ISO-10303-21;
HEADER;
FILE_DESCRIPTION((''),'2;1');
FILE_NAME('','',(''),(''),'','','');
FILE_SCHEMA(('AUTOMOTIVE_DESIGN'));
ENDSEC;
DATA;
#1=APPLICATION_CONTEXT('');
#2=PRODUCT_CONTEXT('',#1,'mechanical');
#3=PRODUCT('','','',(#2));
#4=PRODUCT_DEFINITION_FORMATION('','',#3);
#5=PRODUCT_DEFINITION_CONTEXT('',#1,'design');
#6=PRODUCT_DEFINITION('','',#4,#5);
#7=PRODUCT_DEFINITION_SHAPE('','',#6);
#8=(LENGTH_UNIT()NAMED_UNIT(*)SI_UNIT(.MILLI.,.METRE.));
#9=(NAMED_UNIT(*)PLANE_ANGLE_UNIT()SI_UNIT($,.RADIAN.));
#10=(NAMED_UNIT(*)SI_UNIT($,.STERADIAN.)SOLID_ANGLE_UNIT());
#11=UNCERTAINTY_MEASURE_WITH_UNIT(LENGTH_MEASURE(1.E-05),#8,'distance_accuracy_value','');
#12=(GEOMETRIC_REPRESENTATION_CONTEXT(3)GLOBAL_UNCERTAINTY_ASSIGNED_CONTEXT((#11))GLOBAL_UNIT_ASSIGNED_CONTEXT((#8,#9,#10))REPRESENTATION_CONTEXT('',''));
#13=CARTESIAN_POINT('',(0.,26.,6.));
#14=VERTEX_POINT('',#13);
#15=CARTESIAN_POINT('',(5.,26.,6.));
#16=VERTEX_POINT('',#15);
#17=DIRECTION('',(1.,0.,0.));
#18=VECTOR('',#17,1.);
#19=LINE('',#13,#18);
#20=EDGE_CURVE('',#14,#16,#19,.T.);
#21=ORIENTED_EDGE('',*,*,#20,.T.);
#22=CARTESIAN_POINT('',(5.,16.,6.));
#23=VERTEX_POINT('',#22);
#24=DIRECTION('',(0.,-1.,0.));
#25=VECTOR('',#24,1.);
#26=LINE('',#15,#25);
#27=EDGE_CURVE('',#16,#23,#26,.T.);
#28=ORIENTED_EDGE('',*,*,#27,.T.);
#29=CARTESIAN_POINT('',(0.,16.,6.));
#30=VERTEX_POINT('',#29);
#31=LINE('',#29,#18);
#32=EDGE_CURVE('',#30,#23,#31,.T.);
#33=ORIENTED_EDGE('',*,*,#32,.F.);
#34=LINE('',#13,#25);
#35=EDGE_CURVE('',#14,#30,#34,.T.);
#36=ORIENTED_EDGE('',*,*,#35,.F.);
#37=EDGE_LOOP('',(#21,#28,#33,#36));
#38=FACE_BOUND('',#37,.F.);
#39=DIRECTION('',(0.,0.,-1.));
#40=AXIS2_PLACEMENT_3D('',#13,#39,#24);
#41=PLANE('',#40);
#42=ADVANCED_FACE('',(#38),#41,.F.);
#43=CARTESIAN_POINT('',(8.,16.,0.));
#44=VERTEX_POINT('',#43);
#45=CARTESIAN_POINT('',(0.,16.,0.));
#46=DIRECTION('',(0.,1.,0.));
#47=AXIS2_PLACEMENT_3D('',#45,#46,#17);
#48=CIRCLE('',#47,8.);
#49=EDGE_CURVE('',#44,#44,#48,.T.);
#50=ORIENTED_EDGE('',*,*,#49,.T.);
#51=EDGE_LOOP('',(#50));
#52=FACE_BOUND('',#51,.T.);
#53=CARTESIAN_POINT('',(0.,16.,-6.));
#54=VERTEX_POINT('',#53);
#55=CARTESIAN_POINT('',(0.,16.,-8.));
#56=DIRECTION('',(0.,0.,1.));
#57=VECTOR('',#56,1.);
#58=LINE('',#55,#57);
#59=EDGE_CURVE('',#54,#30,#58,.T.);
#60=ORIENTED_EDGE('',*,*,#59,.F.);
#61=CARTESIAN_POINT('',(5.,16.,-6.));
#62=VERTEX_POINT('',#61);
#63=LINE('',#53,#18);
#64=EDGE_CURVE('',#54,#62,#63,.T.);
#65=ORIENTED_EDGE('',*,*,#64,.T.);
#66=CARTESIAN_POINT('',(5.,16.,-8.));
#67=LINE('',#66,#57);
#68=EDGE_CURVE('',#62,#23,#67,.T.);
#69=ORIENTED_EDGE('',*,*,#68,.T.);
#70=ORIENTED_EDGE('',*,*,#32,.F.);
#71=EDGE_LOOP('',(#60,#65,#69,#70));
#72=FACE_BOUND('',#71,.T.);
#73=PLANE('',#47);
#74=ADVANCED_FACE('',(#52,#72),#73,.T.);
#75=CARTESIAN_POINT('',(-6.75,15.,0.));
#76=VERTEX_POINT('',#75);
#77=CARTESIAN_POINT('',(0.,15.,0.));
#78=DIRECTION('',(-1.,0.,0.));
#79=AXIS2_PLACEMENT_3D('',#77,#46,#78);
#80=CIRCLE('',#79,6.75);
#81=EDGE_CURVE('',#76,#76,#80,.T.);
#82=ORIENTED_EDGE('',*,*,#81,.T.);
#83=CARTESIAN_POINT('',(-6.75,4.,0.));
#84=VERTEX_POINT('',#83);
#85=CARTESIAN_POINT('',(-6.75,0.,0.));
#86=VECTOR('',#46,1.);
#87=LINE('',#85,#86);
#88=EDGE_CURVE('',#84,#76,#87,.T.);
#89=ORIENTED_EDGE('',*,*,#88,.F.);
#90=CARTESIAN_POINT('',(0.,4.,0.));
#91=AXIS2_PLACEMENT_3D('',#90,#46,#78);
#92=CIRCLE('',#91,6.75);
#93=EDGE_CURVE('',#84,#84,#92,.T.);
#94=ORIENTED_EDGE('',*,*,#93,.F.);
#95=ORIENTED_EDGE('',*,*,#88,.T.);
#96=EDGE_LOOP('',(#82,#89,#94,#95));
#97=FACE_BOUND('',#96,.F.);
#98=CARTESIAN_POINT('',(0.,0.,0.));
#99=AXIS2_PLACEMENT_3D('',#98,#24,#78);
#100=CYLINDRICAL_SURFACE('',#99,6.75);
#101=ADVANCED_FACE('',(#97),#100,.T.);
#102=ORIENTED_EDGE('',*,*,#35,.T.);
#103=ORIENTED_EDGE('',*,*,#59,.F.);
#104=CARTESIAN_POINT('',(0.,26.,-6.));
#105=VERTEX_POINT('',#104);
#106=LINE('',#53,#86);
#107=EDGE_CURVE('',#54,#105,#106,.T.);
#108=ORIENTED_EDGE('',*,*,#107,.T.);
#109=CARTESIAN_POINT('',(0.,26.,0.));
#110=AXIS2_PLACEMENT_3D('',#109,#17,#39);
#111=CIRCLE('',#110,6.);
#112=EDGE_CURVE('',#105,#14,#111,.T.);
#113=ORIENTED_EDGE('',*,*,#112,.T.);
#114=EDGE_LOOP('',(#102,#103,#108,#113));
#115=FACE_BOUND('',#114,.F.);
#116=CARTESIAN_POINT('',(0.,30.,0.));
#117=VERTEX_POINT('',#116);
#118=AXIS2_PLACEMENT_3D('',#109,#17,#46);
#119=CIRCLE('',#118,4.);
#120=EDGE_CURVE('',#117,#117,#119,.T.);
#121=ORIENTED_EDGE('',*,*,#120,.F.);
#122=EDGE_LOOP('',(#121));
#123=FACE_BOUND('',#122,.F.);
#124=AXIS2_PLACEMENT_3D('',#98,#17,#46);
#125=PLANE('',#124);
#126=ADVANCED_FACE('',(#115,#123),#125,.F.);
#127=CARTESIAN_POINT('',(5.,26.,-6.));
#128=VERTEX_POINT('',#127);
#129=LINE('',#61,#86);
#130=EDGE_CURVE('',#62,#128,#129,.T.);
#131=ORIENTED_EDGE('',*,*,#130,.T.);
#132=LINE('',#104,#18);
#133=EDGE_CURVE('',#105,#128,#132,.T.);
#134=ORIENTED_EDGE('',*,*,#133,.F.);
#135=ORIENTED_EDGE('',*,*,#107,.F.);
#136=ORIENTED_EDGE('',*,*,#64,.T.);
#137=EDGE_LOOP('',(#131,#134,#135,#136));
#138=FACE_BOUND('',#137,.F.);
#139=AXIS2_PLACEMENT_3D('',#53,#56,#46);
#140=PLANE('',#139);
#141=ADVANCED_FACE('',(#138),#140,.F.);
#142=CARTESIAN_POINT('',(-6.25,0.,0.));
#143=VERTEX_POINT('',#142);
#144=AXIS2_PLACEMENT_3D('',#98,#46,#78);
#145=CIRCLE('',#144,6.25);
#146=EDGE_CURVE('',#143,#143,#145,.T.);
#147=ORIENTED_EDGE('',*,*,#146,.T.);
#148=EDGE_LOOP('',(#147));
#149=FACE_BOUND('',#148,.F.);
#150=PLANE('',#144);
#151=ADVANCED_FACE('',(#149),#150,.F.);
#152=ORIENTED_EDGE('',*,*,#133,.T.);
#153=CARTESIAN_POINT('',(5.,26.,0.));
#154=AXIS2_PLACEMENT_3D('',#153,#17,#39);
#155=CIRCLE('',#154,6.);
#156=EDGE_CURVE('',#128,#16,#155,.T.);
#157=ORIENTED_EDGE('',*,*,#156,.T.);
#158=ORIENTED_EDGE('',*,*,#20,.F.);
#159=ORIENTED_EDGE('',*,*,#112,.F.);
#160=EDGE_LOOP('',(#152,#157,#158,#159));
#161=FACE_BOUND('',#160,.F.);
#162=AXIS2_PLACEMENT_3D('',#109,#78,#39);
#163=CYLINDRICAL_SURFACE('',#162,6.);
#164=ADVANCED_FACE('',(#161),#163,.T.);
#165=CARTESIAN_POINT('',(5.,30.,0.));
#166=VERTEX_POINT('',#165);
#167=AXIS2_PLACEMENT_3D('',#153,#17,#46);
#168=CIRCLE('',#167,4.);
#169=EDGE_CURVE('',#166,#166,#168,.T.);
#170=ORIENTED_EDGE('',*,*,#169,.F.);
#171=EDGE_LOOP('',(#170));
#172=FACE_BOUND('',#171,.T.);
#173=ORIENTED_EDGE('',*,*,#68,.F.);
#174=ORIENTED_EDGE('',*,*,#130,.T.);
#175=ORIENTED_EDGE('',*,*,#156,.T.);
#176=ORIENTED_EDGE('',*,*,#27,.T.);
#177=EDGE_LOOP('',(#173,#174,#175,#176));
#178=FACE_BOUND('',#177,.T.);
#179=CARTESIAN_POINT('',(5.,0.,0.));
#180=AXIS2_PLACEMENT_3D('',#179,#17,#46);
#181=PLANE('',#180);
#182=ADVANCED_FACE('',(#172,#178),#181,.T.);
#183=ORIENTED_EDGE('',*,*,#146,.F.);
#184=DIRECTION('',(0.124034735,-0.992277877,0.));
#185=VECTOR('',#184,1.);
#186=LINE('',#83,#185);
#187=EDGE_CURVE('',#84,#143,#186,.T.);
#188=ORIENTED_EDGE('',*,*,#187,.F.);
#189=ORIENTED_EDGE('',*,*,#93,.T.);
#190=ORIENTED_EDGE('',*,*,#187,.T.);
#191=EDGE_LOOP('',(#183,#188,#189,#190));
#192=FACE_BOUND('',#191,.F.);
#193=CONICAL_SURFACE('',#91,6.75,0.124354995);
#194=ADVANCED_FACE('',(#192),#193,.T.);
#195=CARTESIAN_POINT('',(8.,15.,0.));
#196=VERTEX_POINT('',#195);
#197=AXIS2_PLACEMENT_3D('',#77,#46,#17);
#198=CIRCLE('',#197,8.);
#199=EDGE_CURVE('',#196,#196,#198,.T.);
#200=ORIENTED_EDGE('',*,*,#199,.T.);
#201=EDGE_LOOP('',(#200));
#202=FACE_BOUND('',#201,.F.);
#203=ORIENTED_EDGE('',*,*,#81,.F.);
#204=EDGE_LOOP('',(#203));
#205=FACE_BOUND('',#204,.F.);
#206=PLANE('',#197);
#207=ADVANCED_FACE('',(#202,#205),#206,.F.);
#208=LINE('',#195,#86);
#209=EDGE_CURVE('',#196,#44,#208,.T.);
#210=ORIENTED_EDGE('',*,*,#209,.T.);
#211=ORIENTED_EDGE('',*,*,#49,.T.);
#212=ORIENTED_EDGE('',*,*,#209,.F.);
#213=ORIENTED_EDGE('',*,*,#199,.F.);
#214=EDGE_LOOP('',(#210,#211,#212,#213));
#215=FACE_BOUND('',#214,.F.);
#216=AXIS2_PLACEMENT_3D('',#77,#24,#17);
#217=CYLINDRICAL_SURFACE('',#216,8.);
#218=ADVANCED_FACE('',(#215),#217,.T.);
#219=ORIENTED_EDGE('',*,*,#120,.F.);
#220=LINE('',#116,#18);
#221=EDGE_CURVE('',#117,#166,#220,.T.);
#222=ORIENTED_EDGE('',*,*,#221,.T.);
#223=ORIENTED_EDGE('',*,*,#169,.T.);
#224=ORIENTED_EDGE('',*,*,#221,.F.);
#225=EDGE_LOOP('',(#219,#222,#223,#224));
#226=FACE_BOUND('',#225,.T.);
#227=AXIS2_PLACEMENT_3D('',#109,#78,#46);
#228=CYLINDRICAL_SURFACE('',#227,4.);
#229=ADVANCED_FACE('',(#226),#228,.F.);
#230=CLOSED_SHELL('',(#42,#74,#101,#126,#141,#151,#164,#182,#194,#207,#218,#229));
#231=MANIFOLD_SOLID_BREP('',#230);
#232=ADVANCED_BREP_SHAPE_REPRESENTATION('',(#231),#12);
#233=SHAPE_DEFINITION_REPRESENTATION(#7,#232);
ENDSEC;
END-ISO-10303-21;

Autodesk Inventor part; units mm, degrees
ref_plane "YZ Plane" through (0, 0, 0) normal (1, 0, 0) x (0, 1, 0)
ref_plane "XZ Plane" through (0, 0, 0) normal (0, 1, 0) x (-1, 0, 0)
ref_plane "XY Plane" through (0, 0, 0) normal (0, 0, 1) x (1, 0, 0)
sketch "Sketch1" plane through (0, 0, 0) normal (0, 1, 0) x (-1, 0, 0)
  circle A0 centre (0, 0) radius 6.75
  dimension "d0" = 13.5
extrude "Extrusion1" add sketch "Sketch1" along normal blind 15
chamfer "Chamfer1" distance 4 distance2 0.5 1 edges at (6.75, 0, 0) measured on face at (-6.7281, 10, -0.5431)
sketch "Sketch2" plane through (0, 15, 0) normal (0, 1, 0) x (1, 0, 0)
  circle A0 centre (0, 0) radius 8
  dimension "d6" = 16
extrude "Extrusion2" add sketch "Sketch2" along normal blind 1
sketch "Sketch3" plane through (0, 0, 0) normal (1, 0, 0) x (0, 1, 0)
  circle A0 centre (26, 0) radius 4
  arc A1 (26, -6) -> (26, 6) centre (26, 0) ccw
  line L0 (16, -8) -> (16, 8) projected
  line L1 (26, 6) -> (16, 6)
  line L2 (16, 6) -> (16, -6)
  line L3 (16, -6) -> (26, -6)
  point P0 (0, 0)
  dimension "d9" = 8
  dimension "d10" = 2
  dimension "d11" = 10
extrude "Extrusion3" add sketch "Sketch3" along normal blind 5
properties part number "center_holder_top"
